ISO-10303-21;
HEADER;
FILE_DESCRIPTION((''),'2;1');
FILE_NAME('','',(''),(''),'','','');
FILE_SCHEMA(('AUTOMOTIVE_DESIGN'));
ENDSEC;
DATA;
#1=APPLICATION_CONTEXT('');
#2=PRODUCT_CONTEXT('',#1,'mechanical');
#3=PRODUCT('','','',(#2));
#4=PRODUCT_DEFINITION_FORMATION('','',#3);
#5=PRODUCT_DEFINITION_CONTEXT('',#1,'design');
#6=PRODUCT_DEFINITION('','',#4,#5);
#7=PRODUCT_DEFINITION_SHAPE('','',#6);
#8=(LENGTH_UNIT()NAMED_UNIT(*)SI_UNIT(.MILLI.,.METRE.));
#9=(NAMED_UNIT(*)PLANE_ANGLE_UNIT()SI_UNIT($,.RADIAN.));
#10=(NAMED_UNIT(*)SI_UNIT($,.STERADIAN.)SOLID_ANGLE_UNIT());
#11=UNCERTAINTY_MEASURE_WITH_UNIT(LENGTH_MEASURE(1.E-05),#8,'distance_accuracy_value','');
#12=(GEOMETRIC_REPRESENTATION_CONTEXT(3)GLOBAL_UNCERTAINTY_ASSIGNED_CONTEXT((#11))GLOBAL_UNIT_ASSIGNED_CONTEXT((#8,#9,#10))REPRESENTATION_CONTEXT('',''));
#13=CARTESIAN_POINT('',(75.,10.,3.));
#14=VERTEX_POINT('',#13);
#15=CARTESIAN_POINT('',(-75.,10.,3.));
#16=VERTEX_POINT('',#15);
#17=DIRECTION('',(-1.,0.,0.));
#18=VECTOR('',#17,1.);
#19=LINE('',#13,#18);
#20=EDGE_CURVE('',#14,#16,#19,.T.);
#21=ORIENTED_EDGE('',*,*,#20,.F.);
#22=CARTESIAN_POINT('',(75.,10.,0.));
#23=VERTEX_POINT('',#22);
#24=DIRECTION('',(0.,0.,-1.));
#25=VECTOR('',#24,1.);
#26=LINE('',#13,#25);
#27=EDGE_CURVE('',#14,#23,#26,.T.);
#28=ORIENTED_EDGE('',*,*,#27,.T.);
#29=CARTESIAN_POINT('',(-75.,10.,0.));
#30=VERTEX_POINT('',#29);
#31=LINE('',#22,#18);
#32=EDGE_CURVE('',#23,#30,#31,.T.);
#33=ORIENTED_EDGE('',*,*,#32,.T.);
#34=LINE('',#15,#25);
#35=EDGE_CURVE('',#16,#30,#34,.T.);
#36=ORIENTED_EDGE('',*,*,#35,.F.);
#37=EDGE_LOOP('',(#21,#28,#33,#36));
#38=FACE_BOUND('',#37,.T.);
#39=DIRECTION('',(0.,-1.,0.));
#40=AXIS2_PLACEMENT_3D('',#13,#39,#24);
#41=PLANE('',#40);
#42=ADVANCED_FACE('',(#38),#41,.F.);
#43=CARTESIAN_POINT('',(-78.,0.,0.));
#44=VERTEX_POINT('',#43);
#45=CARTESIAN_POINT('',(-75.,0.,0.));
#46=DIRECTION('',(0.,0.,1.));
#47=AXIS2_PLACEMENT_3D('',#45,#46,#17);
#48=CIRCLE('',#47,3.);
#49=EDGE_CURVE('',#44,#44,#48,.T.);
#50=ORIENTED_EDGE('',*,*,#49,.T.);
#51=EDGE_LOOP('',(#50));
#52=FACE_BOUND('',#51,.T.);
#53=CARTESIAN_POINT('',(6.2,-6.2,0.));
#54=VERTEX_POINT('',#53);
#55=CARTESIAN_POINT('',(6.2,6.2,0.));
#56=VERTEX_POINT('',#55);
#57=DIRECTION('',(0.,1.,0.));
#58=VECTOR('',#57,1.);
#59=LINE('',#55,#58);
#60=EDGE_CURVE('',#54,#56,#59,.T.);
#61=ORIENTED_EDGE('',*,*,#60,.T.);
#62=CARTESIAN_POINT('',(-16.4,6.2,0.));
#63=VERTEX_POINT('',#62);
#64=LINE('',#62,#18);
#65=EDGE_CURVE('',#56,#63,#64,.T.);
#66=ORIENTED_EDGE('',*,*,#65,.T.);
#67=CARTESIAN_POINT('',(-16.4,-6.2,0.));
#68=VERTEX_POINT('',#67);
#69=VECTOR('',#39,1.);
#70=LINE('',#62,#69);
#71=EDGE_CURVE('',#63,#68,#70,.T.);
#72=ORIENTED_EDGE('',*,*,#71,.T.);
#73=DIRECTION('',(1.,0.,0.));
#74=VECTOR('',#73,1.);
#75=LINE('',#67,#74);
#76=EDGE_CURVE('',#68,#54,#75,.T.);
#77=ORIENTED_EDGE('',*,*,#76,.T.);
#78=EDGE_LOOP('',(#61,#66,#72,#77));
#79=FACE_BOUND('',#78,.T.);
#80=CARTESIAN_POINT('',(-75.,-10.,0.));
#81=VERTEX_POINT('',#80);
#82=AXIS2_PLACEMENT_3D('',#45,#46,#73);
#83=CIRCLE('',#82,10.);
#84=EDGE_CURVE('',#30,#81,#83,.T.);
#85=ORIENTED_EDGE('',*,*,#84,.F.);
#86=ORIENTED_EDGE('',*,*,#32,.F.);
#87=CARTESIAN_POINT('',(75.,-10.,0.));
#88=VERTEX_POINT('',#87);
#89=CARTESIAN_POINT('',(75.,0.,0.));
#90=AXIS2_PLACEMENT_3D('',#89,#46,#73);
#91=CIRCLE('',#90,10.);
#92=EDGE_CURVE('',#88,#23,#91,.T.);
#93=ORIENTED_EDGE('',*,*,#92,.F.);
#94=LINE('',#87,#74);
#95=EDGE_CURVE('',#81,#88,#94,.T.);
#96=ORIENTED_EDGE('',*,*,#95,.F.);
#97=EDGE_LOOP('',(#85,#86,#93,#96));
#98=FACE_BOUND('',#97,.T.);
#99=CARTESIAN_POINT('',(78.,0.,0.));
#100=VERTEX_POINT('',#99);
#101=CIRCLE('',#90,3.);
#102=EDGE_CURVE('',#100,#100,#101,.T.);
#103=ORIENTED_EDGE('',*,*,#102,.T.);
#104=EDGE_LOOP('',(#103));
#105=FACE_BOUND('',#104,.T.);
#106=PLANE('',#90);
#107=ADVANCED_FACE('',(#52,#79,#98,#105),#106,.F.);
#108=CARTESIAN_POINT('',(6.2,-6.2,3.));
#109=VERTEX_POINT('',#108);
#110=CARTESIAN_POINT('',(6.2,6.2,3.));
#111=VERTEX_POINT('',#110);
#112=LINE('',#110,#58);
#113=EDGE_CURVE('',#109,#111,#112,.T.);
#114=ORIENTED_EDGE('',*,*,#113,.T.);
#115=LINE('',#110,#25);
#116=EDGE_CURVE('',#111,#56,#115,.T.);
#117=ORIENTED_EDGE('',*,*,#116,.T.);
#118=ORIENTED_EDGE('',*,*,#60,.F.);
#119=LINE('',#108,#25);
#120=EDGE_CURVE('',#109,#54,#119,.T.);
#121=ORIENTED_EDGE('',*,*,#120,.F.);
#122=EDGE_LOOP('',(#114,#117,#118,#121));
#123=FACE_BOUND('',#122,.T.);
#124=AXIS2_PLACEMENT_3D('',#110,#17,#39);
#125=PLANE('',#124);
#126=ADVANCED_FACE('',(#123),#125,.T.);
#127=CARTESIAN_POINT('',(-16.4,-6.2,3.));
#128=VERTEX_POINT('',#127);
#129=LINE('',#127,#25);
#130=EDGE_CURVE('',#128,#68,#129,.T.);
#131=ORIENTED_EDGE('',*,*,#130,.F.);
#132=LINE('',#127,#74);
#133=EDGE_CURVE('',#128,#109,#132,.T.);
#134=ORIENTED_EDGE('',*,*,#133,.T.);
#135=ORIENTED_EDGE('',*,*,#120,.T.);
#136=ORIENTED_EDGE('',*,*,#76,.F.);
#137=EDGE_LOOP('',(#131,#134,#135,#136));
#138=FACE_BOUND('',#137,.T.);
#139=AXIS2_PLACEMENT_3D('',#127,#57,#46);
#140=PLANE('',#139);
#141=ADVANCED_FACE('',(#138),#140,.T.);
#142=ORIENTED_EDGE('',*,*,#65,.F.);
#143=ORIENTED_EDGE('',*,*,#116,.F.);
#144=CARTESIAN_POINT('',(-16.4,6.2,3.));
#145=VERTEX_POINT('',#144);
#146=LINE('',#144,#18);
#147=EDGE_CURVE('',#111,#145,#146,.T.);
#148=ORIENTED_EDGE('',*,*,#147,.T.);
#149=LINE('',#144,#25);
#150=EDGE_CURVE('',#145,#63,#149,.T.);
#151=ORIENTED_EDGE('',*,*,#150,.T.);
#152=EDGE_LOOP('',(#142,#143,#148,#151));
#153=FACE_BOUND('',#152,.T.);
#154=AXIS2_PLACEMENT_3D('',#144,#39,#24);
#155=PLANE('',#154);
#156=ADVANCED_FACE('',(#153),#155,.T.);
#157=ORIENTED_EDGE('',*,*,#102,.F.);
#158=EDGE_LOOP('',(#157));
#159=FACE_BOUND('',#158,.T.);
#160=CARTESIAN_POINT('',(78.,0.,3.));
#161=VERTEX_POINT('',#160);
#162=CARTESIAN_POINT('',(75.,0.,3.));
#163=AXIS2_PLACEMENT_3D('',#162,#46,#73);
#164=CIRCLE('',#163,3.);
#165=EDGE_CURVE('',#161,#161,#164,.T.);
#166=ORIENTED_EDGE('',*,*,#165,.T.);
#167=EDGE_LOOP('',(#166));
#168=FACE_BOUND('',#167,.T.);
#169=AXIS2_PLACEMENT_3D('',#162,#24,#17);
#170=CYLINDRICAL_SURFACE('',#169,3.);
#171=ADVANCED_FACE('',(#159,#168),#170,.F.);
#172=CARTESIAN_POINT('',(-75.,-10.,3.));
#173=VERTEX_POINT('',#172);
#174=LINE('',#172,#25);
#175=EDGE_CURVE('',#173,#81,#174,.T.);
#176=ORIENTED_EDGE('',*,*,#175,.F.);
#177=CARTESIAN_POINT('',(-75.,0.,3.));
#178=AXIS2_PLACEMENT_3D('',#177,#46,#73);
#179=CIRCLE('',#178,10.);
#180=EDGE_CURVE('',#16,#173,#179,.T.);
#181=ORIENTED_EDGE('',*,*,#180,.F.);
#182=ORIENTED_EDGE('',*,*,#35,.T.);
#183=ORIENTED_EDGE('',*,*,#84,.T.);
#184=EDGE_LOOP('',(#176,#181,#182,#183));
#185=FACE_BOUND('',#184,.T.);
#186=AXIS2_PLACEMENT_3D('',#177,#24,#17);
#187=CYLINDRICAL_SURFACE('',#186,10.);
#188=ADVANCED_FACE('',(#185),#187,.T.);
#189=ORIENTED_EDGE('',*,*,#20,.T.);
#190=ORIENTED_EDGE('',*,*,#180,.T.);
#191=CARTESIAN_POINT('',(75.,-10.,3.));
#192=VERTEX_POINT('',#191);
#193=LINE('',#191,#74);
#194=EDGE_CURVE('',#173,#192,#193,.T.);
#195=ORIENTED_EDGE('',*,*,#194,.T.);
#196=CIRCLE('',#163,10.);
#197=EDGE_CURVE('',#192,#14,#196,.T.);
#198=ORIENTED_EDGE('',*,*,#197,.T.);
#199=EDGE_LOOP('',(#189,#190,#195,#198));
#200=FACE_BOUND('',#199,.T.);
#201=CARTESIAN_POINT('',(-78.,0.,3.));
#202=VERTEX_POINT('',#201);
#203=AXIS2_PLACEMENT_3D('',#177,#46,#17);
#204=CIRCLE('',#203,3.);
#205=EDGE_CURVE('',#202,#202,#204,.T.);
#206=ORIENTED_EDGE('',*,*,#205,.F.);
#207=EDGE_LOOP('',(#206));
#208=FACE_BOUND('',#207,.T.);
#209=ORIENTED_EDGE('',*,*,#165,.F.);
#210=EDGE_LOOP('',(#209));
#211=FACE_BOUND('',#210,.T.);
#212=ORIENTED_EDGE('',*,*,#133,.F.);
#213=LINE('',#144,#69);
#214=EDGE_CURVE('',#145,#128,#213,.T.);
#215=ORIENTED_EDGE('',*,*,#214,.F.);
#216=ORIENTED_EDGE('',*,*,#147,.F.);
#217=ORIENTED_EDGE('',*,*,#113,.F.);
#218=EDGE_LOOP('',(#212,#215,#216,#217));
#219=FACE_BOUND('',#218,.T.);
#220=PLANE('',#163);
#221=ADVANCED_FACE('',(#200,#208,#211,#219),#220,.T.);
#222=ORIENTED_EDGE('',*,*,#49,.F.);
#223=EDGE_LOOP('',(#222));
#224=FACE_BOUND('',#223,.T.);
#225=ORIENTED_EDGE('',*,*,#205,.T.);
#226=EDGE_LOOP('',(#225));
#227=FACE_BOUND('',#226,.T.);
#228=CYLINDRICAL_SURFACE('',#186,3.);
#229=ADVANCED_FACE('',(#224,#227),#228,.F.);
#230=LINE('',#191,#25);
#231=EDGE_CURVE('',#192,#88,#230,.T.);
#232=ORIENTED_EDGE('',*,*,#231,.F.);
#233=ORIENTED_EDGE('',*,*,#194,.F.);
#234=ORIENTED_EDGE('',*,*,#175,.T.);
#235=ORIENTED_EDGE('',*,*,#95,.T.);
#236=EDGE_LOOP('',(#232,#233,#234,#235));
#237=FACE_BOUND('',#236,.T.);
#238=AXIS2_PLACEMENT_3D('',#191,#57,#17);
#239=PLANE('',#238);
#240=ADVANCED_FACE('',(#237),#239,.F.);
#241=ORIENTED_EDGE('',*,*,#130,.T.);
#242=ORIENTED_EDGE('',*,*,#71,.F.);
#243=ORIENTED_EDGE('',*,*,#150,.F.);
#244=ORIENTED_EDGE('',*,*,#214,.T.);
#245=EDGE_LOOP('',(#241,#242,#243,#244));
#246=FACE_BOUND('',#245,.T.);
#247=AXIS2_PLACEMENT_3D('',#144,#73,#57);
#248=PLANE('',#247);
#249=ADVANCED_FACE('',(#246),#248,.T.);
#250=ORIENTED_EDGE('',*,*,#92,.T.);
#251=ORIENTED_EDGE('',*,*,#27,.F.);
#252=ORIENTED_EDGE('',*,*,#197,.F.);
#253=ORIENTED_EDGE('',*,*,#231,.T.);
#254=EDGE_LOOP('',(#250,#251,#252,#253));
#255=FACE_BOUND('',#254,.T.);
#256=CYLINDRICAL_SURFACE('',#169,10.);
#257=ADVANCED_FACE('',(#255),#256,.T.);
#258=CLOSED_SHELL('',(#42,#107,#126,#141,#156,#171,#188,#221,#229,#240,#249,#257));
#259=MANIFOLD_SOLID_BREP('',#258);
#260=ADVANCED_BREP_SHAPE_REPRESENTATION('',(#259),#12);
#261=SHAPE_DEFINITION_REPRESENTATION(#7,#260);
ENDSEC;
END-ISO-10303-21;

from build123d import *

# Parameters (mm, degrees)
SKETCH1_R           = 3
SKETCH1_W           = 22.6
SKETCH1_H           = 12.4
BOSS_EXTRUDE1_DEPTH = 3


with BuildPart() as part:
    # Sketch1 → Boss-Extrude1 (new body)
    with BuildSketch(Plane.XY):
        with BuildLine():
            Line((75, -10), (-75, -10))
            ThreePointArc((-75, -10), (-85, 0), (-75, 10))
            Line((-75, 10), (75, 10))
            ThreePointArc((75, 10), (85, 0), (75, -10))
        make_face()
        with Locations((75, 0)):
            Circle(SKETCH1_R, mode=Mode.SUBTRACT)
        with Locations((-75, 0)):
            Circle(SKETCH1_R, mode=Mode.SUBTRACT)
        with Locations((-5.1, 0)):
            Rectangle(SKETCH1_W, SKETCH1_H, mode=Mode.SUBTRACT)
    extrude(amount=BOSS_EXTRUDE1_DEPTH)


solid = part.part
